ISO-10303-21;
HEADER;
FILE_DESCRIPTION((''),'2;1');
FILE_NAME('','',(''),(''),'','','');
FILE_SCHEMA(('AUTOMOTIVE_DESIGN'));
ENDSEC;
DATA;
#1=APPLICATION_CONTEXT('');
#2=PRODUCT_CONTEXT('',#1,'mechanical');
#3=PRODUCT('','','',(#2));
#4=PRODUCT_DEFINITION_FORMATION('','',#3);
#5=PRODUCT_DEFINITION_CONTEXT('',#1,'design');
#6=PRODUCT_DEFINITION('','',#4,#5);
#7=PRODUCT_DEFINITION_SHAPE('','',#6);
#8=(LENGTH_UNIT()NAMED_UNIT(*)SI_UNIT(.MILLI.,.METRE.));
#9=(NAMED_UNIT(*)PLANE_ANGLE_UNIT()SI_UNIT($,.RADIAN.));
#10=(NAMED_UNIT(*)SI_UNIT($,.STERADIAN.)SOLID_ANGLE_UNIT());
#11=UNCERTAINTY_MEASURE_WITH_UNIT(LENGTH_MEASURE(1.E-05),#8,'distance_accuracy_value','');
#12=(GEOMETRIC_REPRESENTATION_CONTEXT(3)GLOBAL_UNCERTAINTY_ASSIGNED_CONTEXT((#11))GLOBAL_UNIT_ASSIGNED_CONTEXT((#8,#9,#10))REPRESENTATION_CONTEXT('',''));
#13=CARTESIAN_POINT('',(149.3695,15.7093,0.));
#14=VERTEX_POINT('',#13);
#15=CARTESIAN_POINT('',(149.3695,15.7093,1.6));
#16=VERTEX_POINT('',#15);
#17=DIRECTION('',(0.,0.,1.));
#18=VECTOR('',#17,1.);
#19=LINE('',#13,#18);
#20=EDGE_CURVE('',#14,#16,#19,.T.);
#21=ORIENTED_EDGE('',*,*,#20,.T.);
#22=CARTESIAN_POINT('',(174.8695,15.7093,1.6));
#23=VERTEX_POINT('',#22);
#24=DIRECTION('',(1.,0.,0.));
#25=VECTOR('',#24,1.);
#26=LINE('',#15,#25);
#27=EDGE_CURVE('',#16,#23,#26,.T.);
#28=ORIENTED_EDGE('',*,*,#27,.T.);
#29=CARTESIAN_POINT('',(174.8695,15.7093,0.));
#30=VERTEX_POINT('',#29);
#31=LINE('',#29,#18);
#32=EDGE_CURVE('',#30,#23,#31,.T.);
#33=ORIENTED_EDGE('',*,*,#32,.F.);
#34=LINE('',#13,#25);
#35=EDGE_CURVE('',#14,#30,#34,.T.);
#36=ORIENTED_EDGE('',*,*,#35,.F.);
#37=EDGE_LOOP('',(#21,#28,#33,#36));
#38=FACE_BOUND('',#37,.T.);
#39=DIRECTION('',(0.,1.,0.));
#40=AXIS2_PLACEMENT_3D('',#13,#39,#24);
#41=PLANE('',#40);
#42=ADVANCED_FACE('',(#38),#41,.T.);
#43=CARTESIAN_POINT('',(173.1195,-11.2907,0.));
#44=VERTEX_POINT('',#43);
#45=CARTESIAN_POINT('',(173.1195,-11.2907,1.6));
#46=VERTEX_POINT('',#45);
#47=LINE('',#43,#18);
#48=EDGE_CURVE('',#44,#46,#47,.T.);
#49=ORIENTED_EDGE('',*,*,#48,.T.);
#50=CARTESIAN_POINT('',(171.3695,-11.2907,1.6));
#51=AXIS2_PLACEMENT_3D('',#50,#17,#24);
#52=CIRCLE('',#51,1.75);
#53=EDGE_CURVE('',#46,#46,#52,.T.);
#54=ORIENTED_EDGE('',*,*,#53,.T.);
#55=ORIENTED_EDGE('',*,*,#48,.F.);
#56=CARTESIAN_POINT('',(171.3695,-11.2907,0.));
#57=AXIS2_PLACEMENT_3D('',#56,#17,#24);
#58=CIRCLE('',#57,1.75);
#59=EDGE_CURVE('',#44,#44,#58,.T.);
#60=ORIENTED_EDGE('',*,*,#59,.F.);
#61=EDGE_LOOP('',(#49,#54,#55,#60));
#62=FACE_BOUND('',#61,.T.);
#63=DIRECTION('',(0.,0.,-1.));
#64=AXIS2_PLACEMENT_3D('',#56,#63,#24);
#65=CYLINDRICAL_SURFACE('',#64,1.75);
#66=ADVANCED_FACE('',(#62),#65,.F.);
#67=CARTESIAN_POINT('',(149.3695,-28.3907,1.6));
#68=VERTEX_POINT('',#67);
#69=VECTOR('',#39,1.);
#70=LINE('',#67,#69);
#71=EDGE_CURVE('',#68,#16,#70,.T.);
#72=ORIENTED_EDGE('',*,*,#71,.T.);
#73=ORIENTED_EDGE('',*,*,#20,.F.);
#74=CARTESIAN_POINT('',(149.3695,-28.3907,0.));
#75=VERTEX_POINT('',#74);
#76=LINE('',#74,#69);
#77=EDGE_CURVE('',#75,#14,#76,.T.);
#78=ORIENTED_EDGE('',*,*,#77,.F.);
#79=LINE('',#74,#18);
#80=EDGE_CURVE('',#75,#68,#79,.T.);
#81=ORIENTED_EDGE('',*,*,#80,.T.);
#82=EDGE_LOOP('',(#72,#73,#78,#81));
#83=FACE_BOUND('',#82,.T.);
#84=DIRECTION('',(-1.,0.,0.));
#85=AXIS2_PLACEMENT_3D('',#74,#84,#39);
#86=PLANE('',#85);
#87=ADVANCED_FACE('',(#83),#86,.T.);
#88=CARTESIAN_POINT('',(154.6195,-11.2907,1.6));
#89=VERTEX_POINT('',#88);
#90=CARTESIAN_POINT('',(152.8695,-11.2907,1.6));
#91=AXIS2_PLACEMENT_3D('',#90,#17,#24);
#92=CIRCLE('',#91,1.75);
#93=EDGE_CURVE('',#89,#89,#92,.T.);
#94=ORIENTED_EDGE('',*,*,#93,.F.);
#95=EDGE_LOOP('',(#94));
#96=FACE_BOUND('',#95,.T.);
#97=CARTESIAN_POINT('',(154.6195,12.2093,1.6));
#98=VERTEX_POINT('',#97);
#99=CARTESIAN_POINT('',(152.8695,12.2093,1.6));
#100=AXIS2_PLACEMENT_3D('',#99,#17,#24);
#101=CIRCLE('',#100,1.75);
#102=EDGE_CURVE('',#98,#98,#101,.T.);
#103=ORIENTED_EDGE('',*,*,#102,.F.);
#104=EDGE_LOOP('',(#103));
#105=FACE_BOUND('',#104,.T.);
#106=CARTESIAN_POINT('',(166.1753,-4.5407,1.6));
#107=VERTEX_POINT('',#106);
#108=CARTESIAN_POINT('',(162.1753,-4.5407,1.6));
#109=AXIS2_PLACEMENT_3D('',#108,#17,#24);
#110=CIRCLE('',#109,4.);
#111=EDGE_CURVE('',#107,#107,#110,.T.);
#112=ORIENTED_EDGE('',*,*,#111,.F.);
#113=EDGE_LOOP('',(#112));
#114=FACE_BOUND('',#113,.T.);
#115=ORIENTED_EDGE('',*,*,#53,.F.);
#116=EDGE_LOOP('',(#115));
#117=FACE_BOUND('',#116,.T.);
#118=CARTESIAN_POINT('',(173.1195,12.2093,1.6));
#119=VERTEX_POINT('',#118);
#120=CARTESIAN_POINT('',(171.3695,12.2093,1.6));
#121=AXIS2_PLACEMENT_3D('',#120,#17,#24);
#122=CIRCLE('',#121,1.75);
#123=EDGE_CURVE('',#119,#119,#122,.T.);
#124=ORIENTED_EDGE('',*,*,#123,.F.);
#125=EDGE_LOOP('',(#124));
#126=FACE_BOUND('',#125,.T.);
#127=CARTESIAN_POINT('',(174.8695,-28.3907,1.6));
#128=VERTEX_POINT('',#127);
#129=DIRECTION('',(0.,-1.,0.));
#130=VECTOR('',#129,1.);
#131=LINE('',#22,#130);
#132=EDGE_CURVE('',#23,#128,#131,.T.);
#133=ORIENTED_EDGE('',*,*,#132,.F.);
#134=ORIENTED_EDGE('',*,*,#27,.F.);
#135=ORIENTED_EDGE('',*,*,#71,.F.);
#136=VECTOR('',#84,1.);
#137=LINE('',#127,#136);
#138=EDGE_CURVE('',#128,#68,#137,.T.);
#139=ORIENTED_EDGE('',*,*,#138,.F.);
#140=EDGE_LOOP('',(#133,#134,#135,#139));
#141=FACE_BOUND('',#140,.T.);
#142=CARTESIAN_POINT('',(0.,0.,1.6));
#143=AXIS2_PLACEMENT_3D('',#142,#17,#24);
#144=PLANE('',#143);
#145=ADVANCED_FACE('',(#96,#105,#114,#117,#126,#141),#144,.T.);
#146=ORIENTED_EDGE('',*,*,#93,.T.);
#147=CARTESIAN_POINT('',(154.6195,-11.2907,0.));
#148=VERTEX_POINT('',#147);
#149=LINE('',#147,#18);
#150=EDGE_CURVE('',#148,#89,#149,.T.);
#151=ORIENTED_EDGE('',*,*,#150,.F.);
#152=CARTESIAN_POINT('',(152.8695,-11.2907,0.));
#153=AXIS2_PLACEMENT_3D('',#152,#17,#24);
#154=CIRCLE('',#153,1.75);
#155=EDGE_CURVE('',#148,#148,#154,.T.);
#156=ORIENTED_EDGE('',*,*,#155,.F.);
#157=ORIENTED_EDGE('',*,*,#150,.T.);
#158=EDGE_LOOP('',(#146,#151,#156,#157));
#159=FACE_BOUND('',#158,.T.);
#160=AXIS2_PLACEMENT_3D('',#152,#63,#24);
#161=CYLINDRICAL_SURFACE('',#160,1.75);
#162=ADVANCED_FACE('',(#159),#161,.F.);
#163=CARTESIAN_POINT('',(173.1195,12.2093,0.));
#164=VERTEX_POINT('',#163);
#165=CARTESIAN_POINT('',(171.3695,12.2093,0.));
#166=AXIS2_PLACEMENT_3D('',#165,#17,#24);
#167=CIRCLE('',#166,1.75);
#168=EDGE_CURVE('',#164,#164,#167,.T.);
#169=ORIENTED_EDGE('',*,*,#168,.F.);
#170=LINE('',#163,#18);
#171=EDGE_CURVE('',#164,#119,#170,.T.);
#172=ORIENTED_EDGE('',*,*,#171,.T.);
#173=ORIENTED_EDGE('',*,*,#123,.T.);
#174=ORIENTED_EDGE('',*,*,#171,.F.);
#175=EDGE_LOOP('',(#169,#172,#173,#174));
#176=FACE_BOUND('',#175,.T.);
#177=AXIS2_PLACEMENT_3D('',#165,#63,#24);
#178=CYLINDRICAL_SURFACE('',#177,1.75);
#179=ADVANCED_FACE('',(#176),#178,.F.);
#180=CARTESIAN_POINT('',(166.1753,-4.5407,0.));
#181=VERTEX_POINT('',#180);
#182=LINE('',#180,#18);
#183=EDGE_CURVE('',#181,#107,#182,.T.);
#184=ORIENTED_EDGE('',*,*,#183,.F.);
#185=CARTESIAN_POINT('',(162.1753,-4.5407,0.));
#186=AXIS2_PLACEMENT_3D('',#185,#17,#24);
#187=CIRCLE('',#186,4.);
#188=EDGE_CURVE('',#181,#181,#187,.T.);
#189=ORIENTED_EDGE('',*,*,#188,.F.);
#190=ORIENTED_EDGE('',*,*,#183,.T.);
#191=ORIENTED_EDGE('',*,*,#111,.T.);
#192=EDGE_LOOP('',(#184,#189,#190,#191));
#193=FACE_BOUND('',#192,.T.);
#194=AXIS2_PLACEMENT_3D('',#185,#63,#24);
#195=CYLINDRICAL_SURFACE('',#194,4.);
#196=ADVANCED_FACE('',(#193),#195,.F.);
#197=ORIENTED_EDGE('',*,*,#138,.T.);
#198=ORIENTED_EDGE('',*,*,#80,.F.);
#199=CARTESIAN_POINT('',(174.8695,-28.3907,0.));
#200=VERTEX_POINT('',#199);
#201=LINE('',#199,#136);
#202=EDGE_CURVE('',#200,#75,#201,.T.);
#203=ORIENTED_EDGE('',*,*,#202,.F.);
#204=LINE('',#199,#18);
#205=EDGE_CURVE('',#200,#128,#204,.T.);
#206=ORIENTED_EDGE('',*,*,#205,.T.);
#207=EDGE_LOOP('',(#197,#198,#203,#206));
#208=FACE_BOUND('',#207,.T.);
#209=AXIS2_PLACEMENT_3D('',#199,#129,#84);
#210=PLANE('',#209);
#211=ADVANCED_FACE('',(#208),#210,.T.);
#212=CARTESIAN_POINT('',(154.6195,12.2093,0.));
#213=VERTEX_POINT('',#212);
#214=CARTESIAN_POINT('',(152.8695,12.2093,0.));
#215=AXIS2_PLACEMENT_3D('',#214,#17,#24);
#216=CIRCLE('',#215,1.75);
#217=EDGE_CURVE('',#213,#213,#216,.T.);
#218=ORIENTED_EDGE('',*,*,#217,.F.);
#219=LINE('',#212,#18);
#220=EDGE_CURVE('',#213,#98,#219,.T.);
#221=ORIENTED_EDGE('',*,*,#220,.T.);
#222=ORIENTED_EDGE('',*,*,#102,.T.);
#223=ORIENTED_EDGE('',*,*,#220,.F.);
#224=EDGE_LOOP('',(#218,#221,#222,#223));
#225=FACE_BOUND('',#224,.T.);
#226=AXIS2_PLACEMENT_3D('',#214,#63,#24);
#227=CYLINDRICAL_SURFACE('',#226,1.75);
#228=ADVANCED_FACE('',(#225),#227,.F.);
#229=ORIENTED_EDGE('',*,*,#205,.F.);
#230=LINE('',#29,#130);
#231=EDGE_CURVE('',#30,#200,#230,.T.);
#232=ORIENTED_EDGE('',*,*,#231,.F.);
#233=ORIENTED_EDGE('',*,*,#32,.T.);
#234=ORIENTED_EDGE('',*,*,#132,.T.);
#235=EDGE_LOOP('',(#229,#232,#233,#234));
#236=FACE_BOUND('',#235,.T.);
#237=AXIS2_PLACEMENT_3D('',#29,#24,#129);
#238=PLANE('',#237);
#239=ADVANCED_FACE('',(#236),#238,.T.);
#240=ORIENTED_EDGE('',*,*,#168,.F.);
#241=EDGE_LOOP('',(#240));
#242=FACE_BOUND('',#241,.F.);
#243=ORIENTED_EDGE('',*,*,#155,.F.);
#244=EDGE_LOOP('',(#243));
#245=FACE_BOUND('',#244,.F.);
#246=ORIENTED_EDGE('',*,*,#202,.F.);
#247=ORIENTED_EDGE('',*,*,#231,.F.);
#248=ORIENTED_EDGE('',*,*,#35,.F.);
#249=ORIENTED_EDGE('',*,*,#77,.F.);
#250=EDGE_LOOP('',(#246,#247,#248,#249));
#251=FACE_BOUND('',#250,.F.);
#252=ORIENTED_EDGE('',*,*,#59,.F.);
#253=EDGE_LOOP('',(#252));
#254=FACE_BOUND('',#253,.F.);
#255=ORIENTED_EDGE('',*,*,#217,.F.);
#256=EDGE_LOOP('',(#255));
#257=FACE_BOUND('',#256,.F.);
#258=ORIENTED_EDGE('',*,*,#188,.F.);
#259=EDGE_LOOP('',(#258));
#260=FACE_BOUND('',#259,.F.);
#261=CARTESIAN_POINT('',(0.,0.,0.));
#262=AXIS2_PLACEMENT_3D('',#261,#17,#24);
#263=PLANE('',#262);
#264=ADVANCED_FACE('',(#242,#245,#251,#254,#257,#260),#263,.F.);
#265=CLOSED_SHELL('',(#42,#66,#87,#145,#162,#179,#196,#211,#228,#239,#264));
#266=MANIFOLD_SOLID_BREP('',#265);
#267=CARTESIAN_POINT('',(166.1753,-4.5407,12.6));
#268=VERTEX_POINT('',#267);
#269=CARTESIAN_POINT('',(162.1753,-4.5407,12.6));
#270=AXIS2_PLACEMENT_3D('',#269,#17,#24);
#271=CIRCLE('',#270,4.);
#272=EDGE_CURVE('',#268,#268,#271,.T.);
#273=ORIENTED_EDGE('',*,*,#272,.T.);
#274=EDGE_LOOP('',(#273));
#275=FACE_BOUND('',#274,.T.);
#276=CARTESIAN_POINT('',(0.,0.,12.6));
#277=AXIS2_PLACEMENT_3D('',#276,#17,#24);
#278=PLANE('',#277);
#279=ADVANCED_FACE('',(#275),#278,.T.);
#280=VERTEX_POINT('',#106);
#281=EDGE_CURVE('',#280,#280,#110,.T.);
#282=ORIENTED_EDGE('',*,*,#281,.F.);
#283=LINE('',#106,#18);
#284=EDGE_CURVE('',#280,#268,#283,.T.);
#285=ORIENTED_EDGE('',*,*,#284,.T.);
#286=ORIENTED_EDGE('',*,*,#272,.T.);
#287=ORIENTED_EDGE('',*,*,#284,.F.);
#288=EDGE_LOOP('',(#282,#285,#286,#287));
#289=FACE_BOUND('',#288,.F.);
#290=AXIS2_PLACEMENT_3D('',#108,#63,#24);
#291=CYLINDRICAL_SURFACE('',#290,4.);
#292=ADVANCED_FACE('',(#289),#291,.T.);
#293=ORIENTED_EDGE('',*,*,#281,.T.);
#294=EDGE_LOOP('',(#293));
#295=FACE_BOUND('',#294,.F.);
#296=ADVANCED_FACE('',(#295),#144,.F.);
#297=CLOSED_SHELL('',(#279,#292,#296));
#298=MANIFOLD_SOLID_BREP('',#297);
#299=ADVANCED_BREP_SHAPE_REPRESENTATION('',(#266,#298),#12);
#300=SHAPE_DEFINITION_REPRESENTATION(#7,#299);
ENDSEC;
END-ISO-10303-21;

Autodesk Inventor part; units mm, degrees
ref_plane "YZ Plane" through (0, 0, 0) normal (1, 0, 0) x (0, 1, 0)
ref_plane "XZ Plane" through (0, 0, 0) normal (0, 1, 0) x (-1, 0, 0)
ref_plane "XY Plane" through (0, 0, 0) normal (0, 0, 1) x (1, 0, 0)
sketch "Sketch1" plane through (0, 0, 0) normal (0, 0, 1) x (1, 0, 0)
  line L0 (149.3695, 15.7093) -> (174.8695, 15.7093)
  line L1 (174.8695, 15.7093) -> (174.8695, -28.3907)
  line L2 (174.8695, -28.3907) -> (149.3695, -28.3907)
  line L3 (149.3695, -28.3907) -> (149.3695, 15.7093)
  circle A0 centre (152.8695, 12.2093) radius 1.75
  circle A1 centre (171.3695, 12.2093) radius 1.75
  circle A2 centre (152.8695, -11.2907) radius 1.75
  circle A3 centre (171.3695, -11.2907) radius 1.75
  line L4 (162.1195, 21.9473) -> (162.1195, -33.4191) construction
  line L5 (144.2972, -9.7907) -> (180.3541, -9.7907) construction
  line L6 (143.6152, 0.7093) -> (182.6159, 0.7093) construction
  line L7 (156.6972, 0.7093) -> (167.6534, 0.7093) construction
  line L8 (167.6534, 0.7093) -> (167.6534, -9.7907) construction
  line L9 (167.6534, -9.7907) -> (156.6972, -9.7907) construction
  line L10 (156.6972, -9.7907) -> (156.6972, 0.7093) construction
  line L11 (156.6972, -4.5407) -> (167.6534, -4.5407) construction
  circle A4 centre (162.1753, -4.5407) radius 4
  point P0 (0, 0)
  dimension "d0" = 44.1
  dimension "d1" = 25.5
  dimension "d2" = 3.5
  dimension "d3" = 3.5
  dimension "d4" = 3.5
  dimension "d5" = 3.5
  dimension "d6" = 3.5
  dimension "d7" = 3.5
  dimension "d8" = 3.5
  dimension "d9" = 3.5
  dimension "d10" = 27
  dimension "d11" = 27
  dimension "d12" = 25.5
  dimension "d13" = 10.5
  dimension "d14" = 8
extrude "Extrusion1" add sketch "Sketch1" along normal blind 1.6
sketch "Sketch2" plane through (0, 0, 1.6) normal (0, 0, 1) x (1, 0, 0)
  circle A0 centre (162.1753, -4.5407) radius 4 projected
  point P0 (0, 0)
extrude "Extrusion2" add sketch "Sketch2" along normal blind 11
properties part number "joystick"
